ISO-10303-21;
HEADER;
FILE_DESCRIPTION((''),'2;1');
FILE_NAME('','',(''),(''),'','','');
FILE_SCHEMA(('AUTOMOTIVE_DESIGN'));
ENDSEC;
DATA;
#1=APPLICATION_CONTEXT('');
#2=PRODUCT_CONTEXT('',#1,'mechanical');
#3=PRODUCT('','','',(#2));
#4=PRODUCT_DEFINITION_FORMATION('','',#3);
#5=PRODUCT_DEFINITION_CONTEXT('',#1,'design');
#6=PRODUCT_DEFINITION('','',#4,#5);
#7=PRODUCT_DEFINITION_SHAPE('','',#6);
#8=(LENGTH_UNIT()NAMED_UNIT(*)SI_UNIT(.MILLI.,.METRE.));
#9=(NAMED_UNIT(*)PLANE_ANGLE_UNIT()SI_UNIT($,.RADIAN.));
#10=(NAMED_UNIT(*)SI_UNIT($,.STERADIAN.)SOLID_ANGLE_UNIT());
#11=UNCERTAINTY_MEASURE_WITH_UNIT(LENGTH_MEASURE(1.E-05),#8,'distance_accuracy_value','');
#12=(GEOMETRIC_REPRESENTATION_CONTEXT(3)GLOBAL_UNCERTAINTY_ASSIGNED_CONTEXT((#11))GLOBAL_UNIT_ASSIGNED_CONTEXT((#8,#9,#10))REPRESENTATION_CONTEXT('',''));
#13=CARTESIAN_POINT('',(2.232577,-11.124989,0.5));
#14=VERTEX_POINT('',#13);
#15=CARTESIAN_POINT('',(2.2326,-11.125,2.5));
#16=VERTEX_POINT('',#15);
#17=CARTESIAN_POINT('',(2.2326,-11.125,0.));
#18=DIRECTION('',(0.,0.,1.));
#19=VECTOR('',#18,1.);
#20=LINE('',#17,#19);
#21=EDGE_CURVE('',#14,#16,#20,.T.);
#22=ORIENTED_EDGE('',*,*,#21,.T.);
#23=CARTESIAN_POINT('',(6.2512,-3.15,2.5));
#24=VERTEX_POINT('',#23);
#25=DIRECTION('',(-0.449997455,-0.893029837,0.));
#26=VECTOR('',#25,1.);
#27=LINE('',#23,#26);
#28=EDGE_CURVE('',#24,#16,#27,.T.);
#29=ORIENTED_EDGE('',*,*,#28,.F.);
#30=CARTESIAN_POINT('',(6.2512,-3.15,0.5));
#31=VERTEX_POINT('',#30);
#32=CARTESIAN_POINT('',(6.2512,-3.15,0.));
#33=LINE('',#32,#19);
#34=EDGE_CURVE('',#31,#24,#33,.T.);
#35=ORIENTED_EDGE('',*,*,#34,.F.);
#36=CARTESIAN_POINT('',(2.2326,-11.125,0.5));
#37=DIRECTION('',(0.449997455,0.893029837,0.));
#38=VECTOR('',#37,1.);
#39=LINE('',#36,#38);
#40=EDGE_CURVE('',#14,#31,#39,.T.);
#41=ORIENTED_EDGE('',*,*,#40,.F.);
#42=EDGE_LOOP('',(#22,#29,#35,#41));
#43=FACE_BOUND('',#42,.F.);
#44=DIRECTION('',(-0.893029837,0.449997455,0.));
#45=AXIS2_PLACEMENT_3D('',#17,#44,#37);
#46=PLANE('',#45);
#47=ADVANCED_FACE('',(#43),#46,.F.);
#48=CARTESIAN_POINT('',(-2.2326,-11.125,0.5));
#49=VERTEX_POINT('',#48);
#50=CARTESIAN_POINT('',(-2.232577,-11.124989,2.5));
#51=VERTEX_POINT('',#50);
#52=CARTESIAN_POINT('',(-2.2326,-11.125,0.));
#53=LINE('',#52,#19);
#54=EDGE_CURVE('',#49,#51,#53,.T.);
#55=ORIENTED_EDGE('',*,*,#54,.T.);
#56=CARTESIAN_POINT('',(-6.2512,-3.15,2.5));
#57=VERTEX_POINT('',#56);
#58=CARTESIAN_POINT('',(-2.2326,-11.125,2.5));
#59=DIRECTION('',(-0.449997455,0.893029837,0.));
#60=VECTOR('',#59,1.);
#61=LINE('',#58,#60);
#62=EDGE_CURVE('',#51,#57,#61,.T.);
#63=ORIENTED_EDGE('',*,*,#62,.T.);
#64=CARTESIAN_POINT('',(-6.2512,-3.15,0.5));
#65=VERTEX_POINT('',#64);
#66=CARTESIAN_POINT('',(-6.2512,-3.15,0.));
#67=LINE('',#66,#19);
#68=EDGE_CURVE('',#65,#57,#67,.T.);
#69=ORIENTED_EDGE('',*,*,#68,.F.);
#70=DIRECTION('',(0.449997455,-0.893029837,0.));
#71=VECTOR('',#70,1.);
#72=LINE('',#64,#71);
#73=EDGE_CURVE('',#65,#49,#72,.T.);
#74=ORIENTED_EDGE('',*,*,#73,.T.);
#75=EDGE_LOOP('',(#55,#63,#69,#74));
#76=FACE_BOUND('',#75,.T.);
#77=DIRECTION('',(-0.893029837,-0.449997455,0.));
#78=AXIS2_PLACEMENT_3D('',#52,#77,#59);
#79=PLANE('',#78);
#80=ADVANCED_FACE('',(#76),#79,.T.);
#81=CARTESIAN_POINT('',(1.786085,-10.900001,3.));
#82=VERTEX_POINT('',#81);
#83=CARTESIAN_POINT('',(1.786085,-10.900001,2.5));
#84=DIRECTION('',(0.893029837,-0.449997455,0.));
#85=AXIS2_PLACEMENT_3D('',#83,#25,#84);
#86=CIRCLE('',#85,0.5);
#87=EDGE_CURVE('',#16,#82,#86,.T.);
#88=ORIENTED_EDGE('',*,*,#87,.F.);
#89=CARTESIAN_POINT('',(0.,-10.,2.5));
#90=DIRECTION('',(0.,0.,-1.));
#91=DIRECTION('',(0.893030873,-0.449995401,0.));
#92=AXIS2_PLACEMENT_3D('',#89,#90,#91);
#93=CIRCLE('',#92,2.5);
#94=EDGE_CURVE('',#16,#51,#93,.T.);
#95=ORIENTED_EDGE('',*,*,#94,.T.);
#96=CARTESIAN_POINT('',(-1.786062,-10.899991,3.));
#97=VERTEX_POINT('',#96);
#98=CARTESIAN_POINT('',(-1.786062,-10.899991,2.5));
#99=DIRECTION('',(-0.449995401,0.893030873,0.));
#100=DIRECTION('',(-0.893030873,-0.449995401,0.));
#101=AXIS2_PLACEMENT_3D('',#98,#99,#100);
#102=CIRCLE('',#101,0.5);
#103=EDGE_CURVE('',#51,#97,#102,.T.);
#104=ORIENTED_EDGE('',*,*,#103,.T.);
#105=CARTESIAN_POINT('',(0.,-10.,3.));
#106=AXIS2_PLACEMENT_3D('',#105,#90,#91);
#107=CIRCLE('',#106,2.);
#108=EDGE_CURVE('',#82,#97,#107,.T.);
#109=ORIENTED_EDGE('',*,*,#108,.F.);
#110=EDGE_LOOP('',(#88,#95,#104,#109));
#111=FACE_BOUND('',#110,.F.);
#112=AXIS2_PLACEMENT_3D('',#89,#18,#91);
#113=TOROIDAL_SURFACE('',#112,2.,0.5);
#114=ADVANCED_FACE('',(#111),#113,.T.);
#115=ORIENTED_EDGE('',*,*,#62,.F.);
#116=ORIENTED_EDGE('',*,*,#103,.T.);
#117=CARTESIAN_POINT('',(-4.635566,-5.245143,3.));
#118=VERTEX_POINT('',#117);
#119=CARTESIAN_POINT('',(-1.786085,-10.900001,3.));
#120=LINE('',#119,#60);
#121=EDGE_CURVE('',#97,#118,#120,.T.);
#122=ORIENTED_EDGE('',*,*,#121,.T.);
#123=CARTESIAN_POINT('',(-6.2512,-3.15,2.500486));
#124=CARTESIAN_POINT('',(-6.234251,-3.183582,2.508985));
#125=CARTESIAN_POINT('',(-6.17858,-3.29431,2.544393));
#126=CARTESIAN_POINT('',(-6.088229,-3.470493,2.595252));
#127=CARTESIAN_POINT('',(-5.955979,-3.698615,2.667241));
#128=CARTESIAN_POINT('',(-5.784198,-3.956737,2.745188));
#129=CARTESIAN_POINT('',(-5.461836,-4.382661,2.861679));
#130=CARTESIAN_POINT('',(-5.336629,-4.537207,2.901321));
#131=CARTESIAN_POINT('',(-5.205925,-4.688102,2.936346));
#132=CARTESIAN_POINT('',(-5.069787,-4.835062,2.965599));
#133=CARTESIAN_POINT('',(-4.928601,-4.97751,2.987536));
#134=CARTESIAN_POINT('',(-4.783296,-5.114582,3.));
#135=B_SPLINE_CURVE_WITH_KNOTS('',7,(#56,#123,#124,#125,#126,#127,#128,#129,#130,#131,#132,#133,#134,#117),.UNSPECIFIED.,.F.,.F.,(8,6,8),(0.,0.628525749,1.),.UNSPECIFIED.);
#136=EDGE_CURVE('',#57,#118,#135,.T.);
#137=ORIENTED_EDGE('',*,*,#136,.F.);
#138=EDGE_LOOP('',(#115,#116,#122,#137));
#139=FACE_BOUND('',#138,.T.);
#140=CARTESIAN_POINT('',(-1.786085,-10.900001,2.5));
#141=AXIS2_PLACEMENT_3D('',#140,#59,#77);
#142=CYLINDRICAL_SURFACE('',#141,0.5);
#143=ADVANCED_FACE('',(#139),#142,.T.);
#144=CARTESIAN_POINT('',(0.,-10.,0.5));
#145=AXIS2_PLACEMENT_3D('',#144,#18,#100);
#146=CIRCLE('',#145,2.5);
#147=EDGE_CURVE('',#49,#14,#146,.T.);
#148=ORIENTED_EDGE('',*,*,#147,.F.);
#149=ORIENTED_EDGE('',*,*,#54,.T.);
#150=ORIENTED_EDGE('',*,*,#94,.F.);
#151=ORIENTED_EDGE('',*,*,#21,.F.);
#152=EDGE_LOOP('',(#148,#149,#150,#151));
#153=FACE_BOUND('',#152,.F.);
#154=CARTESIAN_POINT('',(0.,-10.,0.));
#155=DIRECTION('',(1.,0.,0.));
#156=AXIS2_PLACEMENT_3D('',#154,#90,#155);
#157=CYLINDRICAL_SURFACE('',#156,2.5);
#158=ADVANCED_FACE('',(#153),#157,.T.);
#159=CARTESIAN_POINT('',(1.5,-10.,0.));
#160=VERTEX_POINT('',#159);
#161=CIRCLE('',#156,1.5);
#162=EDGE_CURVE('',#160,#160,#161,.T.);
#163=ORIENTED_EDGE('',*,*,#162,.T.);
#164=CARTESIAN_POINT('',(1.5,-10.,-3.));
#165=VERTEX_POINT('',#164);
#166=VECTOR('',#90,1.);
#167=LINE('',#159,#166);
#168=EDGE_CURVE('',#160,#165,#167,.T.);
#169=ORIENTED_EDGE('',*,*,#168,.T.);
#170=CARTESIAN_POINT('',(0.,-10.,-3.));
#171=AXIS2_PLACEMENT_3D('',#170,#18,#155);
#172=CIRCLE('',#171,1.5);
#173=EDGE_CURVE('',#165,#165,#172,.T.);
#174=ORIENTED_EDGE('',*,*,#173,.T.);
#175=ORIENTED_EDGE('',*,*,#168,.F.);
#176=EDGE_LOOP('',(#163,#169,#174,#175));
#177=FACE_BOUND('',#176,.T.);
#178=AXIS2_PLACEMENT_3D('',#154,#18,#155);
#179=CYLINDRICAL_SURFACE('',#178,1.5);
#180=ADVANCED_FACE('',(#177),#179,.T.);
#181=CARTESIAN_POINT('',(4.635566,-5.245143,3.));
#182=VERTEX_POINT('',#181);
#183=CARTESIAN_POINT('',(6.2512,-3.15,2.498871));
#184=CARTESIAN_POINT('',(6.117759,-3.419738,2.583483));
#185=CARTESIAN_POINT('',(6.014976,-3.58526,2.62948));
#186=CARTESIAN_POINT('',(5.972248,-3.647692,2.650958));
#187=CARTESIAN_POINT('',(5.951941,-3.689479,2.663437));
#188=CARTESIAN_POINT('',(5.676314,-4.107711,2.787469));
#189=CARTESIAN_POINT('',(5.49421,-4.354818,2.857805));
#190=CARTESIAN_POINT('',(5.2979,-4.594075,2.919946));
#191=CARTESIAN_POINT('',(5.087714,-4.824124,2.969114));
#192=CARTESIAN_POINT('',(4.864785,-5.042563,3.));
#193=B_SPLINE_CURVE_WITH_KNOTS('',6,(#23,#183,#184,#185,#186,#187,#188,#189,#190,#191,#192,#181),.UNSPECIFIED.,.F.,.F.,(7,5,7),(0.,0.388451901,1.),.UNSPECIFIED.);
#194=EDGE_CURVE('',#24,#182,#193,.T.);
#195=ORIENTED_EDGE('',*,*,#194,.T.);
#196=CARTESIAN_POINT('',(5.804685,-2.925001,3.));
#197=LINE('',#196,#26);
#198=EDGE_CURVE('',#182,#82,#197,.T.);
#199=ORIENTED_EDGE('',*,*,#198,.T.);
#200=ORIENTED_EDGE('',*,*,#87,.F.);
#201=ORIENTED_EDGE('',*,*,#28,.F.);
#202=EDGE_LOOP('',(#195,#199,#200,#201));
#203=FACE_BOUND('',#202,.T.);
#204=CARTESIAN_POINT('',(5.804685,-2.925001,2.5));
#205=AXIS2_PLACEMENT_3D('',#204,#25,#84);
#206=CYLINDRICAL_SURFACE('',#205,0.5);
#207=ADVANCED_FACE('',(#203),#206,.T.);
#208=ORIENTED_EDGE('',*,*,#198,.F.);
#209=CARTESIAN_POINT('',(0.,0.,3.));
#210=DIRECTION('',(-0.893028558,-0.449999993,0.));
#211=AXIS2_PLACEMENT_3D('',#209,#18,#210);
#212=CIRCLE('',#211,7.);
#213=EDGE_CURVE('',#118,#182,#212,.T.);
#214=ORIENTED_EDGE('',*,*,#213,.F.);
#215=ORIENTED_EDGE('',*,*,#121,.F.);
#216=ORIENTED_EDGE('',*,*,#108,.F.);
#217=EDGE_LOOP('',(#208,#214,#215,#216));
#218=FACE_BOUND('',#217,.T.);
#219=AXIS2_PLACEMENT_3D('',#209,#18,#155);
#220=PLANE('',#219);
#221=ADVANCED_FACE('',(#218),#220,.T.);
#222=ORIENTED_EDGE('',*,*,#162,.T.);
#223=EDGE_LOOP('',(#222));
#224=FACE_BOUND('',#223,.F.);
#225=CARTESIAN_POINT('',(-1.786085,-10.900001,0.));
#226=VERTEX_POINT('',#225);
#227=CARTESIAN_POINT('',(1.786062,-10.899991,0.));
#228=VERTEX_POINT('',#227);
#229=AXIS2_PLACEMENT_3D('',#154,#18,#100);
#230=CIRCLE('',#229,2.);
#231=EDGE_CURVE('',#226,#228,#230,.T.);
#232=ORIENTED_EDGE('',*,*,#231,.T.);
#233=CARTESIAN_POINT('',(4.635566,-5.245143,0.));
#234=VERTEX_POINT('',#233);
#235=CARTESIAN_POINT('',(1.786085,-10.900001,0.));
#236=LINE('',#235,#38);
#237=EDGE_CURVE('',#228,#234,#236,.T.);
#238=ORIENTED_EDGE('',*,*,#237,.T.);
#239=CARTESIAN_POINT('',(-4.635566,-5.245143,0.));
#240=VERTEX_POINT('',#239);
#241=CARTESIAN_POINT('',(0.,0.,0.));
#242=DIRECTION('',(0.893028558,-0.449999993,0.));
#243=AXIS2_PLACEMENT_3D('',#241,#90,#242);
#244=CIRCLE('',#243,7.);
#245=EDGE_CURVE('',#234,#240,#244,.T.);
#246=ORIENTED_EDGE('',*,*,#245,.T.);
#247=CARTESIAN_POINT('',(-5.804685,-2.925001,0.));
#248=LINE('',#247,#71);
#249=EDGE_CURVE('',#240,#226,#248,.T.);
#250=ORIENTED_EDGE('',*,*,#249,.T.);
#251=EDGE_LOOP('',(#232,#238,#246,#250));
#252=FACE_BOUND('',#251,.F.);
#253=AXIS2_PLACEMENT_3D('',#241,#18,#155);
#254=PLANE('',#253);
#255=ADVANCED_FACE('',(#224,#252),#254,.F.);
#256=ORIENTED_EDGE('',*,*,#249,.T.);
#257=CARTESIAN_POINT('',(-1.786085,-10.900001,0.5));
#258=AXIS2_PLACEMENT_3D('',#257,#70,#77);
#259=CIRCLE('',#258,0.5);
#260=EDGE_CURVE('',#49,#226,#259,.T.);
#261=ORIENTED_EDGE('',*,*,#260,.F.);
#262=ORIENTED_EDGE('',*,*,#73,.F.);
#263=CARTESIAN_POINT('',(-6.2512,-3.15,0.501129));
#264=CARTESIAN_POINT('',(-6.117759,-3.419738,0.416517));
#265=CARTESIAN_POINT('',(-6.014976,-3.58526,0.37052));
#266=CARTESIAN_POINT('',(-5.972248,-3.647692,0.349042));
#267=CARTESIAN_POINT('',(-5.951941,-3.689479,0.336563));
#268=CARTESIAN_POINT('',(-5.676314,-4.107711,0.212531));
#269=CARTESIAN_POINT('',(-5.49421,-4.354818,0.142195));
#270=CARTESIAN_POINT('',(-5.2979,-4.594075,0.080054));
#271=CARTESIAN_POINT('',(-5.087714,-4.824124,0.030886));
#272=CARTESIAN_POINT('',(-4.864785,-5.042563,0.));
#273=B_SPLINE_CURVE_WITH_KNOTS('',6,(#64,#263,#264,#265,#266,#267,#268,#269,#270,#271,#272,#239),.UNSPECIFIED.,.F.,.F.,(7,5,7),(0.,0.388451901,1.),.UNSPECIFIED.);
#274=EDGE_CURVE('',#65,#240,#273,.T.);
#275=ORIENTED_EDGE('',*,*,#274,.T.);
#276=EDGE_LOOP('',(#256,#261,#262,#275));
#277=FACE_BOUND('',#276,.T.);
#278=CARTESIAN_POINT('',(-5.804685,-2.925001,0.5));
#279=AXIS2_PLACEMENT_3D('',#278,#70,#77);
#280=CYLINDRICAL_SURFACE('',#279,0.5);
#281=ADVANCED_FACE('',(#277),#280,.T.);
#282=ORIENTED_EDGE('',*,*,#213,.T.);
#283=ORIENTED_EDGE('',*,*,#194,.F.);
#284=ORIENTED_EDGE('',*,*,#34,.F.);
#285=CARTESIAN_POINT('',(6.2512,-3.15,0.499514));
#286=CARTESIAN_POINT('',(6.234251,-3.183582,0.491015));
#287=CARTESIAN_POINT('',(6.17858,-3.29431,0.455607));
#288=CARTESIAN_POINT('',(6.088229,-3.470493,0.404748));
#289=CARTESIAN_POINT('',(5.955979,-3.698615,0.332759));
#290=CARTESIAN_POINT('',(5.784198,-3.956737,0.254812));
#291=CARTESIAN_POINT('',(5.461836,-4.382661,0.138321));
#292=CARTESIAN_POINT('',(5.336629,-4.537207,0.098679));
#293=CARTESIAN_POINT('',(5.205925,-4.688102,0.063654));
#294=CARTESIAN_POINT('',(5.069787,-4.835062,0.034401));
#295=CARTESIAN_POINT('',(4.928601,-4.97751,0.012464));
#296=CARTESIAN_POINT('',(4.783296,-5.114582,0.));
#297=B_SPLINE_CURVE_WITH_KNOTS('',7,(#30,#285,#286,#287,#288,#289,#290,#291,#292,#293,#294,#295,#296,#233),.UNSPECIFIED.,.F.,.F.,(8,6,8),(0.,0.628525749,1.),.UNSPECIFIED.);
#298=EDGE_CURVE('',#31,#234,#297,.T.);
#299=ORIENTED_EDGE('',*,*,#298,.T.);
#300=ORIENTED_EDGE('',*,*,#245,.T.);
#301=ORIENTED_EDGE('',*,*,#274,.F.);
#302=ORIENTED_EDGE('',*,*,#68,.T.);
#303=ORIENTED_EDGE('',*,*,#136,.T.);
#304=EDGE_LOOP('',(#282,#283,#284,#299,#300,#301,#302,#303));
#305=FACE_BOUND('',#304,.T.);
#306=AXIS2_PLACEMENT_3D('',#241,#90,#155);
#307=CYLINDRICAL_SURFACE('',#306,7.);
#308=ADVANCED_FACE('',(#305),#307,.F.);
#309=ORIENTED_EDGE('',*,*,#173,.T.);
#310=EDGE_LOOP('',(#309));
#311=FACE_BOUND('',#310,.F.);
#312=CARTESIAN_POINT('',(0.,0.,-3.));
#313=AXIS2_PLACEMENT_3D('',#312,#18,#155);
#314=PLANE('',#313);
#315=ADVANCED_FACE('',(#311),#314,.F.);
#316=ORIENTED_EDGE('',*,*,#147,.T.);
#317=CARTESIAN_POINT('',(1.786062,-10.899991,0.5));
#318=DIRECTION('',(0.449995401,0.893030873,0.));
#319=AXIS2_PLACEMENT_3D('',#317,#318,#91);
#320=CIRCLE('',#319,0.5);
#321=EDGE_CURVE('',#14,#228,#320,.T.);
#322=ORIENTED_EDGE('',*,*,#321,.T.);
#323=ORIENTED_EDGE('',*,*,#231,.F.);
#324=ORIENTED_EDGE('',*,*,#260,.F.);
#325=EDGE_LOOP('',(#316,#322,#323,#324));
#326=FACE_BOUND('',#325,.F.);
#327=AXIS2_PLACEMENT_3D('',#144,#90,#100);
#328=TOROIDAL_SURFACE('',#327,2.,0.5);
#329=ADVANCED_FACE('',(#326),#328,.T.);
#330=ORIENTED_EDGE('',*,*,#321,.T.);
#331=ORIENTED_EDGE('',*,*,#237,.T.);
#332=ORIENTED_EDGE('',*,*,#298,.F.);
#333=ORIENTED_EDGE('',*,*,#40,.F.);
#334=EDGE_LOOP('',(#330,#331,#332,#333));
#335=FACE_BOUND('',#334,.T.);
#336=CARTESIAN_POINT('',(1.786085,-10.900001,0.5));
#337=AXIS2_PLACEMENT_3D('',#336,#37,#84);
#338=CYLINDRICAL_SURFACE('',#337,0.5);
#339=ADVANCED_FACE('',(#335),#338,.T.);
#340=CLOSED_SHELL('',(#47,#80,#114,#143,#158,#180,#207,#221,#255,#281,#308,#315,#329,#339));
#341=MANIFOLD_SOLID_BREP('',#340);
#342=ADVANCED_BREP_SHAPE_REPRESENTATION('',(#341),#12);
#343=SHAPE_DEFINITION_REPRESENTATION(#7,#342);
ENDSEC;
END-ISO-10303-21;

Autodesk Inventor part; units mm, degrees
ref_plane "YZ Plane" through (0, 0, 0) normal (1, 0, 0) x (0, 1, 0)
ref_plane "XZ Plane" through (0, 0, 0) normal (0, 1, 0) x (-1, 0, 0)
ref_plane "XY Plane" through (0, 0, 0) normal (0, 0, 1) x (1, 0, 0)
sketch "Sketch1" plane through (0, 0, 0) normal (0, 0, 1) x (1, 0, 0)
  circle A0 centre (0, 0) radius 7
  circle A1 centre (0, -10) radius 1.5
  circle A2 centre (0, -10) radius 2.5
  line L0 (0, -16.4) -> (0, 10.9) projected
  line L1 (-2.2326, -11.125) -> (-6.2512, -3.15)
  line L2 (2.2326, -11.125) -> (6.2512, -3.15)
  dimension "d0" = 14
  dimension "d1" = 3
  dimension "d2" = 1
  dimension "d3" = 10
extrude "Extrusion1" add sketch "Sketch1" along normal blind 3 contours L2 A2 L0 A0 | L0 A2 L1 A0 | A2 L0 A1 | L0 A1 A2 | L0 A1 | A1 L0
extrude "Extrusion2" add sketch "Sketch1" against normal blind 3 contours L0 A1 | A1 L0
fillet "Fillet1" radius 0.5 6 edges at (0, -12.5, 3) (-4.2419, -7.1375, 3) (4.2419, -7.1375, 3) (0, -12.5, 0) (-4.2419, -7.1375, 0) (4.2419, -7.1375, 0)
properties part number "Joystick Extra Hook"
